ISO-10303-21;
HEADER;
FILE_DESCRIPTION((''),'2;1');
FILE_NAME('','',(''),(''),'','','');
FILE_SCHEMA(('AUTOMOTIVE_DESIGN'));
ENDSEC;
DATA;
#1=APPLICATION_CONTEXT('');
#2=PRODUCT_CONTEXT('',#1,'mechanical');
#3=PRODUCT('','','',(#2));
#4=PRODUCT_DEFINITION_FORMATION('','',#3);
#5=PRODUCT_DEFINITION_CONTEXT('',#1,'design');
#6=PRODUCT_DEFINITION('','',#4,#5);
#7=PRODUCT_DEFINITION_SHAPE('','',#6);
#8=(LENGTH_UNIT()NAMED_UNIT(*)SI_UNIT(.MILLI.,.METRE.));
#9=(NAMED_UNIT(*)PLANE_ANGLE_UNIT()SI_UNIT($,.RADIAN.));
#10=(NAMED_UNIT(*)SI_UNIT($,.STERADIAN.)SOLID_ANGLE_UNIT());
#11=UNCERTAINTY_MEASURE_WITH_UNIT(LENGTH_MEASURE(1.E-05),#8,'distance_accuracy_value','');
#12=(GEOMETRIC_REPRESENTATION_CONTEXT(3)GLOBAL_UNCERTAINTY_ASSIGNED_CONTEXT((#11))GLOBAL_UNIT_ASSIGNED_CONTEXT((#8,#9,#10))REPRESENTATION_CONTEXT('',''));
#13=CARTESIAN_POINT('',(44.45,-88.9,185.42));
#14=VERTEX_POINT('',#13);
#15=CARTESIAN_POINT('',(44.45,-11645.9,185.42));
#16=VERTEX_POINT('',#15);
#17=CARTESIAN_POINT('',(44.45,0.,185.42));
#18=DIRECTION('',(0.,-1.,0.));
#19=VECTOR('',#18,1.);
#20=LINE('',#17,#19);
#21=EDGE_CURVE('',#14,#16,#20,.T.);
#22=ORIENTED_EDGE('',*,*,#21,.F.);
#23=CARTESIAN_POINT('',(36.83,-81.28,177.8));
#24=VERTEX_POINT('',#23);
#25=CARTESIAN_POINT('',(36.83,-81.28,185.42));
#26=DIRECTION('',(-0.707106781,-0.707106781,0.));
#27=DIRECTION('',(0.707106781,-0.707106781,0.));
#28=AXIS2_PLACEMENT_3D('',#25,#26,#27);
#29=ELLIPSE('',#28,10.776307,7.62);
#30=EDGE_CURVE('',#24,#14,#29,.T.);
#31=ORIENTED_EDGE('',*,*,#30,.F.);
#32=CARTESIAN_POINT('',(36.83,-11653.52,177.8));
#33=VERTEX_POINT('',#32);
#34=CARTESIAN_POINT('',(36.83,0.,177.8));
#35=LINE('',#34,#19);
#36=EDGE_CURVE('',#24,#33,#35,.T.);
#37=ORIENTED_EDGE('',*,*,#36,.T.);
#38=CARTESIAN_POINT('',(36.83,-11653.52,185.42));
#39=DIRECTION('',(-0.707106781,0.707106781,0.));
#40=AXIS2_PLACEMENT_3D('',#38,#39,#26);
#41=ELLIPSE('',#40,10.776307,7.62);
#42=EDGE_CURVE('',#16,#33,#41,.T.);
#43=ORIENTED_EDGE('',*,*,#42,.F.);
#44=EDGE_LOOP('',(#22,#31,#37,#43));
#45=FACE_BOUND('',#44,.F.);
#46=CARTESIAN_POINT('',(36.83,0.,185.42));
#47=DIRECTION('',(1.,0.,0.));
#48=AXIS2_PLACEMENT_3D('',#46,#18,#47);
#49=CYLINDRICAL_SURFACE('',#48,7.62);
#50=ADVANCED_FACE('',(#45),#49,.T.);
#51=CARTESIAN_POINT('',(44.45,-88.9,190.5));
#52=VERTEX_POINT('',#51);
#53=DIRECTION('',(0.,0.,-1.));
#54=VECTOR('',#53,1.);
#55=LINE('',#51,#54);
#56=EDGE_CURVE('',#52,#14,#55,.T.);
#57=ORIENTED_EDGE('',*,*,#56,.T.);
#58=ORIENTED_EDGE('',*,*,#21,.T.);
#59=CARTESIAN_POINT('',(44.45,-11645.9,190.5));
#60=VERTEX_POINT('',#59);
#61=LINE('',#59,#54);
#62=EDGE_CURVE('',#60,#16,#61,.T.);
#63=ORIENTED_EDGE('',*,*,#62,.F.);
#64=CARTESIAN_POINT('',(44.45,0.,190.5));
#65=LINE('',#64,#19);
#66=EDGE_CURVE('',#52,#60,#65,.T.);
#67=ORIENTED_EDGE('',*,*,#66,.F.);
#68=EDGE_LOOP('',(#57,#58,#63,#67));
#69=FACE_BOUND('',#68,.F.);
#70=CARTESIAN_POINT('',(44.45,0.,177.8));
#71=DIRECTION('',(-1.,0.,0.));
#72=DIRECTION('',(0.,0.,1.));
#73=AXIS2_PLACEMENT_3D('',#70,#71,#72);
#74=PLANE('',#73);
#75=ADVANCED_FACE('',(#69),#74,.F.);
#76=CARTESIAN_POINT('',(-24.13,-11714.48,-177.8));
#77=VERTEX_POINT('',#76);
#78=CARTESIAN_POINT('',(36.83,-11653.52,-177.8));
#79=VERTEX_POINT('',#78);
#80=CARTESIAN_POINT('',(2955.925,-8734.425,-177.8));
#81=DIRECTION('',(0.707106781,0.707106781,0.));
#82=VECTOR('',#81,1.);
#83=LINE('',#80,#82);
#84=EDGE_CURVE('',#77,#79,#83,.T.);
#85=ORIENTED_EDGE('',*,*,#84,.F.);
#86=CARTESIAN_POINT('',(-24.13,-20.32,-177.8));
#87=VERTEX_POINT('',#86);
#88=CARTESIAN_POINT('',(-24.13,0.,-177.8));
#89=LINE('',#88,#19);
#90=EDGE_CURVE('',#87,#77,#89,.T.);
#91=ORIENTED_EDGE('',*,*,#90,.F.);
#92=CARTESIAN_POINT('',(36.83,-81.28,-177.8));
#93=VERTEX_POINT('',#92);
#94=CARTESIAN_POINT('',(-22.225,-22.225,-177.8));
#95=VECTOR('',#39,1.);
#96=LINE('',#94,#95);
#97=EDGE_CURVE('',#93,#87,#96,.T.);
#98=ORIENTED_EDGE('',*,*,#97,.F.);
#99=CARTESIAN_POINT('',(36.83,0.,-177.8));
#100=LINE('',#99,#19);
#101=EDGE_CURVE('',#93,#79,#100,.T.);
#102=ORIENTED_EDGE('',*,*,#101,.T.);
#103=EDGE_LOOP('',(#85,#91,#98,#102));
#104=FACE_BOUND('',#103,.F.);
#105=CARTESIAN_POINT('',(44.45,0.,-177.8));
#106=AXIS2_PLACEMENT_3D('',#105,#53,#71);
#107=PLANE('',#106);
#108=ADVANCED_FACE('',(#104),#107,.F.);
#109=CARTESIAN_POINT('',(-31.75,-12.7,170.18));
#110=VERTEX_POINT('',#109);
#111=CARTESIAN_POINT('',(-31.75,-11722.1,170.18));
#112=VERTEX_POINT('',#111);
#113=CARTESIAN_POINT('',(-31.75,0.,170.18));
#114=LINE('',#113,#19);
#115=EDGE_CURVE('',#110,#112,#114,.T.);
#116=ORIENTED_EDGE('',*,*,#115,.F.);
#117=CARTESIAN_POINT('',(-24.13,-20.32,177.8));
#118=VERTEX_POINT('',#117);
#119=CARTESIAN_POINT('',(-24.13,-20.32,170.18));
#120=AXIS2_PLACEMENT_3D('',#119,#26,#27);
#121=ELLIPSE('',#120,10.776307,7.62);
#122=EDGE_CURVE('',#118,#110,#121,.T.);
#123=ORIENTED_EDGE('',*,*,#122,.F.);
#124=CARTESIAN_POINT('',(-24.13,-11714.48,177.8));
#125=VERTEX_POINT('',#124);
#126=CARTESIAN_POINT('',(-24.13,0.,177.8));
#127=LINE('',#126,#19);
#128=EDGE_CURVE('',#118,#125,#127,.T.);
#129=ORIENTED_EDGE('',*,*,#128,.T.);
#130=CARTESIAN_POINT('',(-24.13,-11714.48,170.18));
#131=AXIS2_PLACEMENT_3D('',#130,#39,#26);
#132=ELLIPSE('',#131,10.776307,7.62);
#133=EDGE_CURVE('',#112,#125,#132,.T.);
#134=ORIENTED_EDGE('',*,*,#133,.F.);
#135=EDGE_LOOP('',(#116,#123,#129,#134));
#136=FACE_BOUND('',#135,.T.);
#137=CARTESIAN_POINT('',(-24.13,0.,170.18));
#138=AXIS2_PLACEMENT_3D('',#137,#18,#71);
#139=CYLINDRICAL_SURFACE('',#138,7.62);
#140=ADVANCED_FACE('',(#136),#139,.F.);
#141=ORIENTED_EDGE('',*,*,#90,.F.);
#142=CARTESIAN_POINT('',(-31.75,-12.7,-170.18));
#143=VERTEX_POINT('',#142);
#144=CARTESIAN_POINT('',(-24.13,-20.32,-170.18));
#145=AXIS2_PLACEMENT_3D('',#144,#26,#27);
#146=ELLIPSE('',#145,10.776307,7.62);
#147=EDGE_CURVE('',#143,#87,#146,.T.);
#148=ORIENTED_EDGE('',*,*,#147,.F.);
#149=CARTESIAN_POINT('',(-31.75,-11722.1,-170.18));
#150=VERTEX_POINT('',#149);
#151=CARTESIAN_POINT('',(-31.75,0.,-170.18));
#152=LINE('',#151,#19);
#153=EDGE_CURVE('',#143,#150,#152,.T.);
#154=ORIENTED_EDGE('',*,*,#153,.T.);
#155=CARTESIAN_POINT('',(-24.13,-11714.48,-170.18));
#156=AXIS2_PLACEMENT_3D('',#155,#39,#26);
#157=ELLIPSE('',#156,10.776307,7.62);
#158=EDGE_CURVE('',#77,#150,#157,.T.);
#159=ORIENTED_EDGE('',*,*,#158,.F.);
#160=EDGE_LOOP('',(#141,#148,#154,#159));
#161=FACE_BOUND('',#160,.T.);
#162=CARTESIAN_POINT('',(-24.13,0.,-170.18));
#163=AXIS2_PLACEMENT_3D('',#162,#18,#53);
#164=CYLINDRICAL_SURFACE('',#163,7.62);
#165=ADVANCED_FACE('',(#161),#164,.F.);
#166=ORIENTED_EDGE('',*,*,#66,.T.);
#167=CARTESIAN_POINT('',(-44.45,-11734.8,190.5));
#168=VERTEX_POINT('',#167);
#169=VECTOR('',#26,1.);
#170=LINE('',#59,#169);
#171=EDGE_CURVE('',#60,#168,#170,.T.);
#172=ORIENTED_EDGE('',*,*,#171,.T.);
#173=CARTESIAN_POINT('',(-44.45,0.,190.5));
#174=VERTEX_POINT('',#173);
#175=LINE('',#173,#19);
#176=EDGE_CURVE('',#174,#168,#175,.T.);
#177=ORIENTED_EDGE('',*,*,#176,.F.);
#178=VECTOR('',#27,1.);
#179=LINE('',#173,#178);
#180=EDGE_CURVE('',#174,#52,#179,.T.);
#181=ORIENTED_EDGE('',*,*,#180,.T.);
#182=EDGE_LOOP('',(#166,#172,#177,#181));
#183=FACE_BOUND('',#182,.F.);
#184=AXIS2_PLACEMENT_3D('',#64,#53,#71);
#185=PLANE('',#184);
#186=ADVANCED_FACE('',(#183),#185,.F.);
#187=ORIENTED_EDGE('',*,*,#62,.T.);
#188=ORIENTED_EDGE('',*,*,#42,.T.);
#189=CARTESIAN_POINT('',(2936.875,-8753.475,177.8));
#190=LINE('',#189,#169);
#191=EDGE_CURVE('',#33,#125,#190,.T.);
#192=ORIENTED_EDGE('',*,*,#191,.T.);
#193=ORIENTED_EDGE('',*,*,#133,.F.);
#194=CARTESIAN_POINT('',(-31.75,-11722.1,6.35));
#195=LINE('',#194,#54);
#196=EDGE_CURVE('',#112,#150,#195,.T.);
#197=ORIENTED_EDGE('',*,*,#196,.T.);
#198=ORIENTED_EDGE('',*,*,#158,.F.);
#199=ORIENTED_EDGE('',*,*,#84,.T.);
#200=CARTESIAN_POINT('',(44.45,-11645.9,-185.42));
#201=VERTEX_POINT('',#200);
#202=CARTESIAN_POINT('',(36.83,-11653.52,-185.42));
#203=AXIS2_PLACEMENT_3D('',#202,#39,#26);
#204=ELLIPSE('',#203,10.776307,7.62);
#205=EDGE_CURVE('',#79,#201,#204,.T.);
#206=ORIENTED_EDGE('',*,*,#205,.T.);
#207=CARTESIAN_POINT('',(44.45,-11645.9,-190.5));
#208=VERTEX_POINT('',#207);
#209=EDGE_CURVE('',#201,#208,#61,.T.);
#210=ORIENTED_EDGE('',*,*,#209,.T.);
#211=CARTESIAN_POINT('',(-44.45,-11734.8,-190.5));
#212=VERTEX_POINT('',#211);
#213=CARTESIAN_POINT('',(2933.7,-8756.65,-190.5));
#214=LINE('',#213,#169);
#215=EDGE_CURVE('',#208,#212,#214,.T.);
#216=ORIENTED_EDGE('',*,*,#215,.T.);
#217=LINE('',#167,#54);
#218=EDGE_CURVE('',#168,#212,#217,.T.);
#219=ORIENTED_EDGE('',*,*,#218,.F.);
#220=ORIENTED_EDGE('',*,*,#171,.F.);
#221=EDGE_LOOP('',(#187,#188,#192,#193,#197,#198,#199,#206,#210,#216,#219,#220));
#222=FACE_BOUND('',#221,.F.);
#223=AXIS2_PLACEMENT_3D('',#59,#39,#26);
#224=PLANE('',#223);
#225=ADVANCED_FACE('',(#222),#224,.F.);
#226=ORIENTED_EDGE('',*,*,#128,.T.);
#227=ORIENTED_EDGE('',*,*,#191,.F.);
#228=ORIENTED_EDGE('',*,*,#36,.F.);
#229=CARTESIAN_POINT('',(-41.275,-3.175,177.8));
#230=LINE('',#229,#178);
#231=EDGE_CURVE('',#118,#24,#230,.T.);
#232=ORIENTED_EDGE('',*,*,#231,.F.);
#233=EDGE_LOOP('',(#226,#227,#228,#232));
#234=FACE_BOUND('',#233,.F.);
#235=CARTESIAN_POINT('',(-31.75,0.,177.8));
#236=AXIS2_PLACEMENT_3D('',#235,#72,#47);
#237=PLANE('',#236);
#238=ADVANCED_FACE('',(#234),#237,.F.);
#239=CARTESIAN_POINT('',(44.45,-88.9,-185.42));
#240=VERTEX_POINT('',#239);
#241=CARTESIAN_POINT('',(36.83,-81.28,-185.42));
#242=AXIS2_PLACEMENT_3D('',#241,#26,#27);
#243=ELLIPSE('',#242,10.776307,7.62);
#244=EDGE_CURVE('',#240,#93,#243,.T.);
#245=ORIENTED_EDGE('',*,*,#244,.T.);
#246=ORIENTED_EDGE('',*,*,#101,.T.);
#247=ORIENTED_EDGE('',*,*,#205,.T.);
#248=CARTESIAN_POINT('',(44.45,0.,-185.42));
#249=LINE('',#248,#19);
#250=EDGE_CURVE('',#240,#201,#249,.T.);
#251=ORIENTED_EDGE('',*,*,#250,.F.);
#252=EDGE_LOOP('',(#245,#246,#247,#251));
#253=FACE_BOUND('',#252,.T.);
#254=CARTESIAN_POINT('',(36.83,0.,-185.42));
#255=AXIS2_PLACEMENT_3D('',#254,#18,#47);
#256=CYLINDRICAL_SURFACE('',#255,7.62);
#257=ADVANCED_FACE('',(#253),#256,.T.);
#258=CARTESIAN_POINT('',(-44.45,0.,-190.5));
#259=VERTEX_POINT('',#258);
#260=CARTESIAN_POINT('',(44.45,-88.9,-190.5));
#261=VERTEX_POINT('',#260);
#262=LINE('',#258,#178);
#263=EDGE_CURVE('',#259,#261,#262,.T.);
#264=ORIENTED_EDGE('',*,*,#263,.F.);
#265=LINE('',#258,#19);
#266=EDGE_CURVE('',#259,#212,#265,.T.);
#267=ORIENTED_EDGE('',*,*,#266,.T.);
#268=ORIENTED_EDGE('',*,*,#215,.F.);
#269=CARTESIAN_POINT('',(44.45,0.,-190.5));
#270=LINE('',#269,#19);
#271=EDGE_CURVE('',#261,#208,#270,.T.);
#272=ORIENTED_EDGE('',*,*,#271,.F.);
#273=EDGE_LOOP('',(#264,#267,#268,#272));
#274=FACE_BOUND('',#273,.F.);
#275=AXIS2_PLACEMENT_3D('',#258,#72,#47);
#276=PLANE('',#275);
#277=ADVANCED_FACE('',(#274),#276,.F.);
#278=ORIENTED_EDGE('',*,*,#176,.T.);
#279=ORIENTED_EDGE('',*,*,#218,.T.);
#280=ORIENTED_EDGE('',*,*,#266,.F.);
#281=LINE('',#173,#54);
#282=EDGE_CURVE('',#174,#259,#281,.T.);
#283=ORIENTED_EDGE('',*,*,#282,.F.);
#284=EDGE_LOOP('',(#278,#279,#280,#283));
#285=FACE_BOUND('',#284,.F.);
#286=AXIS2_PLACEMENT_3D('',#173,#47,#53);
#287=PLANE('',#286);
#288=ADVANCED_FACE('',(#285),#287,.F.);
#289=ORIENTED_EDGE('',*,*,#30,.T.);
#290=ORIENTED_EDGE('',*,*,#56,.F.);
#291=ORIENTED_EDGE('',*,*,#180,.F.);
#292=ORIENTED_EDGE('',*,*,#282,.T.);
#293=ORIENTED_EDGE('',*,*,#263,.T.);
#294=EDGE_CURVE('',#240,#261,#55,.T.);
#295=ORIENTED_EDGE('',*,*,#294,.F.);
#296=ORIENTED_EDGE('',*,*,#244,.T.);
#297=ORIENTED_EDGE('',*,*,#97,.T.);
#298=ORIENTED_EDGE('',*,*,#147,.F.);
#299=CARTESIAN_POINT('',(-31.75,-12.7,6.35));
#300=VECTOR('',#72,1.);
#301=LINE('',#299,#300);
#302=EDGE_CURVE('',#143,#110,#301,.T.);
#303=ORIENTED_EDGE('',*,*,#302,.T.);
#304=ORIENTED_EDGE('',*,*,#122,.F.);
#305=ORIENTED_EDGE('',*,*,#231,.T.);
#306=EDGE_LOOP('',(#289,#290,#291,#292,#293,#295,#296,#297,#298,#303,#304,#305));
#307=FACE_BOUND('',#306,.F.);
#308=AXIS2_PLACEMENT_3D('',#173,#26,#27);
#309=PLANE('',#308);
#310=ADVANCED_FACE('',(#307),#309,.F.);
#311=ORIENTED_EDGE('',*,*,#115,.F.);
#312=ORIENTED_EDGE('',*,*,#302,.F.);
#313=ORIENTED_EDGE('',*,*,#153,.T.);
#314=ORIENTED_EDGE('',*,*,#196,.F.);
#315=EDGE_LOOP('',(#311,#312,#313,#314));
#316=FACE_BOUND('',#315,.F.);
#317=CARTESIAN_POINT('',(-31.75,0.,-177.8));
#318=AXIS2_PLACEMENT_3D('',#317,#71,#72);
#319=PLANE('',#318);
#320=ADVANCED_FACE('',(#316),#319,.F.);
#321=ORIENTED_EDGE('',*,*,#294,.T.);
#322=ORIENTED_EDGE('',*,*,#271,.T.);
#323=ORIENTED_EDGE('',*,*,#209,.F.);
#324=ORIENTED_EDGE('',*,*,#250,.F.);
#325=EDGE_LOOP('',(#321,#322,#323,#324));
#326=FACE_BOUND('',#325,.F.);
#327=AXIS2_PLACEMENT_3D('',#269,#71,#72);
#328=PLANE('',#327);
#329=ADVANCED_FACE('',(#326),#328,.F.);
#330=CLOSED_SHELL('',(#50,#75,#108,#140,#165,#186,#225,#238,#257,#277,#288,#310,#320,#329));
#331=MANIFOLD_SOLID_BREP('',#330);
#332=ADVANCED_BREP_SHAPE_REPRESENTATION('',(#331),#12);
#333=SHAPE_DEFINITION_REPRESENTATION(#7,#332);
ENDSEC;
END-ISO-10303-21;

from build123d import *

# Parameters (mm, degrees)
F1_DEPTH = 11734.8
F2_R     = 7.62
F4_DEPTH = 381.001
F5_DEPTH = 381.001


with BuildPart() as f1:
    # F0 (on Front) → F1 (new body)
    with BuildSketch(Plane.XZ):
        Polygon((44.45, 177.8), (44.45, 190.5), (-44.45, 190.5), (-44.45, -190.5), (44.45, -190.5), (44.45, -177.8), (-31.75, -177.8), (-31.75, 177.8), align=None)
    extrude(amount=F1_DEPTH)

    # F2
    f2_edges = [f1.edges().sort_by_distance(p)[0] for p in [
        (44.45, -5867.4, -177.8),
        (-31.75, -5867.4, -177.8),
        (-31.75, -5867.4, 177.8),
        (44.45, -5867.4, 177.8),
    ]]
    fillet(f2_edges, radius=F2_R)

    # F3 (on face) → F4 (cut, through all)
    with BuildSketch(Plane.XY.offset(190.5)):
        Polygon((44.45, 0), (-44.45, 0), (44.45, -88.9), align=None)
    extrude(amount=-F4_DEPTH, mode=Mode.SUBTRACT)

    # F3 (on face) → F5 (cut, through all)
    with BuildSketch(Plane.XY.offset(190.5)):
        Polygon((44.45, -11645.9), (-44.45, -11734.8), (44.45, -11734.8), align=None)
    extrude(amount=-F5_DEPTH, mode=Mode.SUBTRACT)


solid = f1.part
